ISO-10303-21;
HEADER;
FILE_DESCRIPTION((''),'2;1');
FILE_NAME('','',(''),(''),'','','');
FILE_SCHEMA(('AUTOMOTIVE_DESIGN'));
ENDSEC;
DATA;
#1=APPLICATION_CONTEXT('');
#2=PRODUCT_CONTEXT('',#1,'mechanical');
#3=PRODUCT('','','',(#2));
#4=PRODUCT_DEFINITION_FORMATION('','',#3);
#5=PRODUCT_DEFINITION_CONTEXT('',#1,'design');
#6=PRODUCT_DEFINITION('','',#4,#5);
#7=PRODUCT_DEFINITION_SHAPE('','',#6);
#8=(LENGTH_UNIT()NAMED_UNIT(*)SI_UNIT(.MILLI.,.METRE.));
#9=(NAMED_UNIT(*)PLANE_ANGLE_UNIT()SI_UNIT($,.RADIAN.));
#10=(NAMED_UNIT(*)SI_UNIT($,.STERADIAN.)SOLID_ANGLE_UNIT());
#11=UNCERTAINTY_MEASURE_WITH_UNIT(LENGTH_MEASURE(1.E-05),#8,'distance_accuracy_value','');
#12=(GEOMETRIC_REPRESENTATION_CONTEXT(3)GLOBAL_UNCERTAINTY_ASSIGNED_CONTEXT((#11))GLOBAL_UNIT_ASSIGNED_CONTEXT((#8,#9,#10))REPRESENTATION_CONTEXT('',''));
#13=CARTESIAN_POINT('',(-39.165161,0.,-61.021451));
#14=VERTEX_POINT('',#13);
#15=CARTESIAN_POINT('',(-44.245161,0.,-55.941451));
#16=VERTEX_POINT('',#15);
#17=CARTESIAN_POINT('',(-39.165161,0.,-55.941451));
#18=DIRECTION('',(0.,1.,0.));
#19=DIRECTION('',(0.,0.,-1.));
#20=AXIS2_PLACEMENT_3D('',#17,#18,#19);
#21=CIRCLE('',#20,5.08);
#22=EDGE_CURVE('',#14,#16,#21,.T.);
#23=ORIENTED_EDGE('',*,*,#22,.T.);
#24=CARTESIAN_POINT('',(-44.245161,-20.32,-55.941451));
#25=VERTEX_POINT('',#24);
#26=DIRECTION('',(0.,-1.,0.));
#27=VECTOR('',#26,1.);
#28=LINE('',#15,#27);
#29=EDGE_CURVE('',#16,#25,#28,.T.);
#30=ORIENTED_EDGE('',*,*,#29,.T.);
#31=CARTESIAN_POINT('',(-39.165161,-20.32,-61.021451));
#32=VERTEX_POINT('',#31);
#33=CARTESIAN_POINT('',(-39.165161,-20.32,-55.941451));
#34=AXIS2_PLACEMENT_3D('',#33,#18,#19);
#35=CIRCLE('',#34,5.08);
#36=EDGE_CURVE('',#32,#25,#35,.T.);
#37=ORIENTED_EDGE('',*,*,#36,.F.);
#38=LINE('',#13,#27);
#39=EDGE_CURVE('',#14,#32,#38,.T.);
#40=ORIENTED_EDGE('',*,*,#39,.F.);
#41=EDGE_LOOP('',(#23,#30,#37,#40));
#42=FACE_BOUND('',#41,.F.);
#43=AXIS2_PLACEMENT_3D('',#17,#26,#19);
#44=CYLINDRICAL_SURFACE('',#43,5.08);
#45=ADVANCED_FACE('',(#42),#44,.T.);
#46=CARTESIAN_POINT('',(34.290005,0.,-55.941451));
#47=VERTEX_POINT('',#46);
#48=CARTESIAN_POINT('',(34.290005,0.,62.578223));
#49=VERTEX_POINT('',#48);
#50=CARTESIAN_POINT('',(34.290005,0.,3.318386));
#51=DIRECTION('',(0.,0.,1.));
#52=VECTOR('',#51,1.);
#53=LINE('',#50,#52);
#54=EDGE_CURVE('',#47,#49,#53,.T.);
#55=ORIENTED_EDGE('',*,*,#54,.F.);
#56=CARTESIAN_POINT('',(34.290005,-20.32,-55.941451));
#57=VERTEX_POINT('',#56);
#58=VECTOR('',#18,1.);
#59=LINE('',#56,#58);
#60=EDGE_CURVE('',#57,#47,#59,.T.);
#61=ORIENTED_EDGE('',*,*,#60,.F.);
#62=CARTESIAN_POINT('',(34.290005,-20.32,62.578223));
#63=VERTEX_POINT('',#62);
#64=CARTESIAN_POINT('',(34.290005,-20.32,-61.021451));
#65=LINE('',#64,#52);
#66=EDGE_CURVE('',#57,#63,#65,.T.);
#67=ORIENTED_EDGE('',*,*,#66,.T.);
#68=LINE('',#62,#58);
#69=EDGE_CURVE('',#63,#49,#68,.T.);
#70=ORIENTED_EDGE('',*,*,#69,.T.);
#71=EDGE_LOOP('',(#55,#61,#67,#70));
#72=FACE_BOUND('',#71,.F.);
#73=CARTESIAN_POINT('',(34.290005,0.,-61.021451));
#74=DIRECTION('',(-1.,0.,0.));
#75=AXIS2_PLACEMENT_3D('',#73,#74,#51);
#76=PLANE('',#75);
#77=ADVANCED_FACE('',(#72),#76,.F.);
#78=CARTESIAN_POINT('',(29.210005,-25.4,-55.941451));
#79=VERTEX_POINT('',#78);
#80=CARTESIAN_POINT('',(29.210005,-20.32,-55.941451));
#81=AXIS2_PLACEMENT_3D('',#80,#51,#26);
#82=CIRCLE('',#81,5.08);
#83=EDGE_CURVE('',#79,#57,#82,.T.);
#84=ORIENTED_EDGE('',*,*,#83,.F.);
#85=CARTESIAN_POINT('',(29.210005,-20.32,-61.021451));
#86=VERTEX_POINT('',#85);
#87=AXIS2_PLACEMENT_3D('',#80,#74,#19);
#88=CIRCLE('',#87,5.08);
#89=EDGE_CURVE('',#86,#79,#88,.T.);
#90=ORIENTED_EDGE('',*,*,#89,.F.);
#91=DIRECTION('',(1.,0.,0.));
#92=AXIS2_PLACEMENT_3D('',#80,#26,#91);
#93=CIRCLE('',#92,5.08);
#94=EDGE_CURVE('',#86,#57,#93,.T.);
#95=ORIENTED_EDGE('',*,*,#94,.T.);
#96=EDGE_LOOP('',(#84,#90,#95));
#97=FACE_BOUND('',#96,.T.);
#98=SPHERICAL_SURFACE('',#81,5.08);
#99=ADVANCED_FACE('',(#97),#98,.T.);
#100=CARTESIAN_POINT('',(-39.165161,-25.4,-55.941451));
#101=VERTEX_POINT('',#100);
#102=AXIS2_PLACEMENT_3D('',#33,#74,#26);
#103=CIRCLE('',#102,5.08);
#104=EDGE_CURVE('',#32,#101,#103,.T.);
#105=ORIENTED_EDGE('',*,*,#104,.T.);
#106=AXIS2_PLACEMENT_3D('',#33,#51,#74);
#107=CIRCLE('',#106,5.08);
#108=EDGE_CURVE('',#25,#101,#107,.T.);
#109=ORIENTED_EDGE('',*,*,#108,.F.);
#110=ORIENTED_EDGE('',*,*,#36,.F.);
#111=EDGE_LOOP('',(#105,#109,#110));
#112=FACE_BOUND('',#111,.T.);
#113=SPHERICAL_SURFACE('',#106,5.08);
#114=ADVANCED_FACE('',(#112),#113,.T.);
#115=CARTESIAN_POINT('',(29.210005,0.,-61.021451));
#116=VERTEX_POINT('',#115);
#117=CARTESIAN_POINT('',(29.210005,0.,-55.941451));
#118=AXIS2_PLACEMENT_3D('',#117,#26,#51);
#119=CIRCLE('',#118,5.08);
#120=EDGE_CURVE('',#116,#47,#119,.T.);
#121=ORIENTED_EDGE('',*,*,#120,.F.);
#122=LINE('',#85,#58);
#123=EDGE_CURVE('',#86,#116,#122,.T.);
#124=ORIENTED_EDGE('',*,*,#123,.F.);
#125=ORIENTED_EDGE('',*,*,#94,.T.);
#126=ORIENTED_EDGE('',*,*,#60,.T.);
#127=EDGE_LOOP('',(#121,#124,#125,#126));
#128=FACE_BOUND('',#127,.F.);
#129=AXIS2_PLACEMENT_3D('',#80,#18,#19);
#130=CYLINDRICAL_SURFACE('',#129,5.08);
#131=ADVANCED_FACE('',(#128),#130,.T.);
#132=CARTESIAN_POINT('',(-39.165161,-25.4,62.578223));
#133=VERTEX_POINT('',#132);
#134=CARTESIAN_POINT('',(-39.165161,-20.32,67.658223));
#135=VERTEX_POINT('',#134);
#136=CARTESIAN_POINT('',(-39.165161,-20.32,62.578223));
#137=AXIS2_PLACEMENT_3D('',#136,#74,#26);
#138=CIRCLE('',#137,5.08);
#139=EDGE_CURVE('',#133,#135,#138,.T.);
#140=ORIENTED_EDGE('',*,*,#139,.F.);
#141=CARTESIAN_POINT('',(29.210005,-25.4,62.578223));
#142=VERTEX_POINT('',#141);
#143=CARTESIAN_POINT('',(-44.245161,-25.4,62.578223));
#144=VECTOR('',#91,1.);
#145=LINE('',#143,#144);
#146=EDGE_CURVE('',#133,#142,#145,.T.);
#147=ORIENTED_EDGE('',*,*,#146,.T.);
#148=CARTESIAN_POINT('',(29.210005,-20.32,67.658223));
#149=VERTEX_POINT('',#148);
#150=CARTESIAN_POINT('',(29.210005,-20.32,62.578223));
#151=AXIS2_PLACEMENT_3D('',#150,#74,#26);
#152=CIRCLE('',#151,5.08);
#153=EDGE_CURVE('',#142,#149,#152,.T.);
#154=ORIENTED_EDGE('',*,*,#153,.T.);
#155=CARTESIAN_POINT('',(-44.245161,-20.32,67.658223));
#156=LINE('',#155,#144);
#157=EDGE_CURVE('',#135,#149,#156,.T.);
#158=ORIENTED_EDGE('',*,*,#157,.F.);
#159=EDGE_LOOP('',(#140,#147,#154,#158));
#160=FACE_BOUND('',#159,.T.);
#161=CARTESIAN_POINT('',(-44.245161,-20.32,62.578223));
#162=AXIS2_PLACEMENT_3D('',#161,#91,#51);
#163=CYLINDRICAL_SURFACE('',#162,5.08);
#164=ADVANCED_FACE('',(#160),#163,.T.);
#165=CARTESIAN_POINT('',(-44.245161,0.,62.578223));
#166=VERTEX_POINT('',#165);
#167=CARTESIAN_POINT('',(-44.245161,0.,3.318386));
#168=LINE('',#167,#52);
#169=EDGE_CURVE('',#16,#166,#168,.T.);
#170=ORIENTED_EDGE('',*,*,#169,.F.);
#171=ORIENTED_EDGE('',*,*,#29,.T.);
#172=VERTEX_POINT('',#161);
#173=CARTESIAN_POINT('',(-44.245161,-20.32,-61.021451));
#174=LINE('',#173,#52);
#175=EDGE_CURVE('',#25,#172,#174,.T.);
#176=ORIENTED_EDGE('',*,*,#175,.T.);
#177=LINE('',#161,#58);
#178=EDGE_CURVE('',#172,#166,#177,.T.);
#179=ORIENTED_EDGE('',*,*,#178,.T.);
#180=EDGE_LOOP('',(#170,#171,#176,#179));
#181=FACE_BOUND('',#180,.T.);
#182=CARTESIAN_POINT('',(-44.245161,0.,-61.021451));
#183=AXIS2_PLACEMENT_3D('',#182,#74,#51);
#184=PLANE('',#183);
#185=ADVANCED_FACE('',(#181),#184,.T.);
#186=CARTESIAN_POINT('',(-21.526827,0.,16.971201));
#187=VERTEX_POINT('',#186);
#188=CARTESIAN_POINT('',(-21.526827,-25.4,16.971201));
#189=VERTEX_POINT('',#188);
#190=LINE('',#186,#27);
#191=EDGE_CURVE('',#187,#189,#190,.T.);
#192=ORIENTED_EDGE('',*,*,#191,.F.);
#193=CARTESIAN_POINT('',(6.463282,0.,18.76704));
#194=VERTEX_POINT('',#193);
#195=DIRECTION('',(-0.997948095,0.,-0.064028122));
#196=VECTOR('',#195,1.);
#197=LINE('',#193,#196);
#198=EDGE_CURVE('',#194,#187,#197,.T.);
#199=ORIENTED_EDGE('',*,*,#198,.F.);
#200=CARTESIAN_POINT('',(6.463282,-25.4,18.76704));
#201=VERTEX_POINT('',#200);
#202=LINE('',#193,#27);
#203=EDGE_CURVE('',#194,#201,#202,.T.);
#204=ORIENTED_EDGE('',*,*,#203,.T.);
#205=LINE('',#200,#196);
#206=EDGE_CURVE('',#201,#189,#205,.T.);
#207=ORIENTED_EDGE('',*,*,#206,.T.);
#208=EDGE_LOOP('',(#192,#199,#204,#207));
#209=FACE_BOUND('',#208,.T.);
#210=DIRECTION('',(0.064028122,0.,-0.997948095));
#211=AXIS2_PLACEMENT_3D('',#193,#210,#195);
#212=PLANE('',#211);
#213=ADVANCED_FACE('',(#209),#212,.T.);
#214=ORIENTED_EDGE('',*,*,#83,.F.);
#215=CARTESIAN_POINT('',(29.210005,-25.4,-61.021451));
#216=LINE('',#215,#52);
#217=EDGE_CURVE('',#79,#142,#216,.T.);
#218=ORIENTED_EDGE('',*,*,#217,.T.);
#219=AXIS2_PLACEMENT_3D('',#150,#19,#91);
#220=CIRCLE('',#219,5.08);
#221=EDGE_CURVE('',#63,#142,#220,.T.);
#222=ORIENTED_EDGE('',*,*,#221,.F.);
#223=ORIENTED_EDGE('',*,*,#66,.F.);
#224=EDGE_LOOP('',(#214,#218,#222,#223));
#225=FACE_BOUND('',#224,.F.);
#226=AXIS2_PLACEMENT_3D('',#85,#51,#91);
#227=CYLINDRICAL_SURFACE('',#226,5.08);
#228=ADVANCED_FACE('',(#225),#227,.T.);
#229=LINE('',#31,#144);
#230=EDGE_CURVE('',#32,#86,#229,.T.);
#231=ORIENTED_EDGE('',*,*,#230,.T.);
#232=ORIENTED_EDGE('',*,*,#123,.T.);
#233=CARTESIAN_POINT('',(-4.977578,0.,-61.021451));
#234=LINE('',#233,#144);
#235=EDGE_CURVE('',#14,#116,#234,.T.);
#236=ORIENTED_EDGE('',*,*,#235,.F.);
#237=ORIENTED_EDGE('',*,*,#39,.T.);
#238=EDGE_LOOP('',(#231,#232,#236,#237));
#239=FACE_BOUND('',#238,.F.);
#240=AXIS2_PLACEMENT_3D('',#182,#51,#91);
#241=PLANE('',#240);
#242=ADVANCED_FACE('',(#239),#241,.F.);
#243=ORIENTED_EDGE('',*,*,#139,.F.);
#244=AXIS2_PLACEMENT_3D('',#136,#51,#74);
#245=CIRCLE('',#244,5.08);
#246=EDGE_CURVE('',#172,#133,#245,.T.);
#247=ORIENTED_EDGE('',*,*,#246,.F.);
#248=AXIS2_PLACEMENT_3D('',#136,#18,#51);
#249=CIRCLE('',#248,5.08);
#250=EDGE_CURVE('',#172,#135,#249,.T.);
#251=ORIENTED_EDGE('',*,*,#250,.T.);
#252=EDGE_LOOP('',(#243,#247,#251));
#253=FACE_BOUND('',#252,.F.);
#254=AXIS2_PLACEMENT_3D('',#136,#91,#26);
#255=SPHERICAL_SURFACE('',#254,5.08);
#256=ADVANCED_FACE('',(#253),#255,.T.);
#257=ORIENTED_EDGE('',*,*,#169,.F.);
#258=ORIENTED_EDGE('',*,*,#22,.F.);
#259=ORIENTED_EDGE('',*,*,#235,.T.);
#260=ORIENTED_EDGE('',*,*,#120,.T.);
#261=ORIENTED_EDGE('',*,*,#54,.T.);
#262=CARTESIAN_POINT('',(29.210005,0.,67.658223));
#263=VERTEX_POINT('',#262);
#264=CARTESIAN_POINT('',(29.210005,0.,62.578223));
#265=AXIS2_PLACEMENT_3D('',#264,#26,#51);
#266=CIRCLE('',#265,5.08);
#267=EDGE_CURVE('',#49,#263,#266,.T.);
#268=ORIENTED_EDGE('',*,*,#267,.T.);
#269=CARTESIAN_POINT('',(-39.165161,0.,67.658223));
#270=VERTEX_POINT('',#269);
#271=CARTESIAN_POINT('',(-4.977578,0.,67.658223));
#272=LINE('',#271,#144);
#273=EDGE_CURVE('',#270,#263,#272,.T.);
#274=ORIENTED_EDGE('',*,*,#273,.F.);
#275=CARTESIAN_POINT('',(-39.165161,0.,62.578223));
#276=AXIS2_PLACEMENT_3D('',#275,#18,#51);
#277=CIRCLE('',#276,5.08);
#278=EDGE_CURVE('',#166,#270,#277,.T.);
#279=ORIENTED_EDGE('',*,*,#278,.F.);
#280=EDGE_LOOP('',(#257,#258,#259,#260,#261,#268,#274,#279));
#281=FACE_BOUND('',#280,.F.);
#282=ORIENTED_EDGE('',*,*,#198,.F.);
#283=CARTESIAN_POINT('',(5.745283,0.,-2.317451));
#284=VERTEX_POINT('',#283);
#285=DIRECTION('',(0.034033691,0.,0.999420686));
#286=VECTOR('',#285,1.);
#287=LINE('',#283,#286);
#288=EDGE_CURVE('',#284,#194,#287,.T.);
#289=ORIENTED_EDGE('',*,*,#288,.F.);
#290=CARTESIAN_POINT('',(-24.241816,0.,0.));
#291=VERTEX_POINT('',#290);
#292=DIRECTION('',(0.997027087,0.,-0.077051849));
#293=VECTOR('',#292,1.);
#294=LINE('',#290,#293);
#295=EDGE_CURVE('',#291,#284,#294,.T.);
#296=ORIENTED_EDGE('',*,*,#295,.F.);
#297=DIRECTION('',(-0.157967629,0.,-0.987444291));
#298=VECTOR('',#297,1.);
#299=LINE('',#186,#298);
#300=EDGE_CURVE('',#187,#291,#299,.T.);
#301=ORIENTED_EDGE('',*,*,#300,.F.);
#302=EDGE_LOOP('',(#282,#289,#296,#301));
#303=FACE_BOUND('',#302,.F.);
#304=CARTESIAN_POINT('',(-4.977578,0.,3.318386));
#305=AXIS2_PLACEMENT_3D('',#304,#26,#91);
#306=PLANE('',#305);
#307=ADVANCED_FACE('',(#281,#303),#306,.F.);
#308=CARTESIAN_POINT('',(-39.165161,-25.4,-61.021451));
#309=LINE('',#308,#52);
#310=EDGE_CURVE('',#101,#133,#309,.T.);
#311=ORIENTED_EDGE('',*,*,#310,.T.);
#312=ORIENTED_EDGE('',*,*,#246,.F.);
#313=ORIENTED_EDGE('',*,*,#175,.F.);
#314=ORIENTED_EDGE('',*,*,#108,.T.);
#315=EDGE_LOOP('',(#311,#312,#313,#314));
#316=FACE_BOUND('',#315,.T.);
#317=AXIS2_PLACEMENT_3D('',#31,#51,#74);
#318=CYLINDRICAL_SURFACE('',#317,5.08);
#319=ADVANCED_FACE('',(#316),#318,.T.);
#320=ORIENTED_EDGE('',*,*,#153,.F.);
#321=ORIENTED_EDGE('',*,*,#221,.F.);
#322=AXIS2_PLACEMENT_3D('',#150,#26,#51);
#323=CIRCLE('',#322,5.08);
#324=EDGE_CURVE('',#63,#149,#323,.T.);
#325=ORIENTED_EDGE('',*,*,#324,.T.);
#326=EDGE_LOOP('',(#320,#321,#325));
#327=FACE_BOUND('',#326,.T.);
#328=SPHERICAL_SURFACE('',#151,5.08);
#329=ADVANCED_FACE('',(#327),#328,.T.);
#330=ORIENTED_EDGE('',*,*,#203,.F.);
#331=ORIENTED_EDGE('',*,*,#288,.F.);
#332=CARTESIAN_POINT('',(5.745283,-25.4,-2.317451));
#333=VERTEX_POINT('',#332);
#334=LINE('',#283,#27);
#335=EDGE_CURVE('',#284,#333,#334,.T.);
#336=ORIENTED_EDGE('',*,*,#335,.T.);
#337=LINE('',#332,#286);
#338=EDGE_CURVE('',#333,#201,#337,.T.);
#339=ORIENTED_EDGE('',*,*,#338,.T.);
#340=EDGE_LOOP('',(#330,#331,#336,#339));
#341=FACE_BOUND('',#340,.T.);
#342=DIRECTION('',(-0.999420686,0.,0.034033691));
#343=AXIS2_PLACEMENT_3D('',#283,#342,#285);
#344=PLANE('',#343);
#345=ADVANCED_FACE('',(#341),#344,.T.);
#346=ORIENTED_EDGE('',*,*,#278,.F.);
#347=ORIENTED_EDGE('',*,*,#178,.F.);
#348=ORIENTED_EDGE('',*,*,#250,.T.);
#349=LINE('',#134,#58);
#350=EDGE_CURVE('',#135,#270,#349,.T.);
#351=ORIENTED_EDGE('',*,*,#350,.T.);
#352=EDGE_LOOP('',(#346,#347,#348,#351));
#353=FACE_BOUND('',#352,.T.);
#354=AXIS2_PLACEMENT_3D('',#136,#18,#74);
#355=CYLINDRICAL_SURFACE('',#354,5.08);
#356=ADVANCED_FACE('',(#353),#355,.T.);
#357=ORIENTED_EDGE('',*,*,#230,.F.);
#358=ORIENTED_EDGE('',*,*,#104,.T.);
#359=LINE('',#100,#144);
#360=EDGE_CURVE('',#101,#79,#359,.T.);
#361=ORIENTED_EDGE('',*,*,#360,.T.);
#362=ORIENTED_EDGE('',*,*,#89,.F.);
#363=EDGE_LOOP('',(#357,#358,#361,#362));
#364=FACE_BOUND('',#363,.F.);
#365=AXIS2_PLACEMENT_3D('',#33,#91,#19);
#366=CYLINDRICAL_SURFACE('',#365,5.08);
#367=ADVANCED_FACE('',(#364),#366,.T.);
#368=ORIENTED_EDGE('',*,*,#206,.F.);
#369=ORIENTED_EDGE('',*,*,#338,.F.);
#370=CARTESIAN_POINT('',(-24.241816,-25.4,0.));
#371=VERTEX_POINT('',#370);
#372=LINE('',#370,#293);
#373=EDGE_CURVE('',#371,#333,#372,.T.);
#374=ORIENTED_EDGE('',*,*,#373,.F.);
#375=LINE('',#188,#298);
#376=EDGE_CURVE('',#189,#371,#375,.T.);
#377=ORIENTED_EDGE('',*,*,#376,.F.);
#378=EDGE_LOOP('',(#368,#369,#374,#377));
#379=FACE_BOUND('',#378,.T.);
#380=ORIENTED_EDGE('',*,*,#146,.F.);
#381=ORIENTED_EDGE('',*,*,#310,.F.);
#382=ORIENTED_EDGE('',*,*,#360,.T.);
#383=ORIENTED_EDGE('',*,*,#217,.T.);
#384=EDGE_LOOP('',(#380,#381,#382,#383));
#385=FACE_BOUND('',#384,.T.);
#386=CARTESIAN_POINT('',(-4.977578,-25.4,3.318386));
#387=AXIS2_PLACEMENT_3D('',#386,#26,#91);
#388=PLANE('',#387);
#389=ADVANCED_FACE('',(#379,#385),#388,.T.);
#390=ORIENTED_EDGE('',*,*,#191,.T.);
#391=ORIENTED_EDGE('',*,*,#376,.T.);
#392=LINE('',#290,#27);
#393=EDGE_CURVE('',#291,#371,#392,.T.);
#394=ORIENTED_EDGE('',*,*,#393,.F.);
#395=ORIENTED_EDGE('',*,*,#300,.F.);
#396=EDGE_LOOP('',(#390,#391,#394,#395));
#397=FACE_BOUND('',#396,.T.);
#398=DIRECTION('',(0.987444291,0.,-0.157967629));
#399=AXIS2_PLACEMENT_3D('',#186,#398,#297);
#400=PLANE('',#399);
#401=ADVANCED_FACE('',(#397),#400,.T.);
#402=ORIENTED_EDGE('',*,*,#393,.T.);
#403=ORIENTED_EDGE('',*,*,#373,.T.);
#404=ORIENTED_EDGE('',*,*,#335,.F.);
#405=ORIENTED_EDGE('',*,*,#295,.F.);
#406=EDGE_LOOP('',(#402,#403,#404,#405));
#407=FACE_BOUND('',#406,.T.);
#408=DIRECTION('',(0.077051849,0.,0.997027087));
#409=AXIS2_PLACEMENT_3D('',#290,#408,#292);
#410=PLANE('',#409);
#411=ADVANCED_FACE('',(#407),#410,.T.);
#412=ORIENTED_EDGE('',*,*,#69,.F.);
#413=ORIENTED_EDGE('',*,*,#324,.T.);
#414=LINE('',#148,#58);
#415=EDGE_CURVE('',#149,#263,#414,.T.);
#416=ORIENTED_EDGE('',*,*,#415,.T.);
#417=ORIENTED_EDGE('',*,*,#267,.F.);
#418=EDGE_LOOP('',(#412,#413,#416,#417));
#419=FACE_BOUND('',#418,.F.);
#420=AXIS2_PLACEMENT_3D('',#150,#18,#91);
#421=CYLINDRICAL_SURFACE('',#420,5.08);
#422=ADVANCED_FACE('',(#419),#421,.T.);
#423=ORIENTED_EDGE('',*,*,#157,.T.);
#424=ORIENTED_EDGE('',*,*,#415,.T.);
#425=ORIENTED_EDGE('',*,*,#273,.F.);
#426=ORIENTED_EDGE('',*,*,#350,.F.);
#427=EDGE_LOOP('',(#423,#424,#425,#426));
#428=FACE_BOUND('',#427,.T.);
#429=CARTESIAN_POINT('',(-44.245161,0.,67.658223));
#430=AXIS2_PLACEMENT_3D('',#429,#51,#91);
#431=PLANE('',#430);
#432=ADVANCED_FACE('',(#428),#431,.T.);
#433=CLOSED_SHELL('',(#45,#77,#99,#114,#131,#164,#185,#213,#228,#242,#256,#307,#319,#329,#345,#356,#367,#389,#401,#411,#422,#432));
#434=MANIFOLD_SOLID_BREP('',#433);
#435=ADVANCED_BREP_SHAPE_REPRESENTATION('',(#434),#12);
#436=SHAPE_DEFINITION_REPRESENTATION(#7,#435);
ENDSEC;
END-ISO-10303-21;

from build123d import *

# Parameters (mm, degrees)
F0_W     = 78.535166
F0_H     = 128.679674
F1_DEPTH = 25.4
F2_R     = 5.08
F3_R     = 5.08
F4_R     = 5.08
F5_R     = 5.08
F6_T     = -2819.4
F8_DEPTH = 25.4


with BuildPart() as f1:
    # F0 (on Front) → F1 (new body)
    with BuildSketch(Plane.XZ):
        with Locations((-4.977578, 3.318386)):
            Rectangle(F0_W, F0_H)
    extrude(amount=F1_DEPTH)

    # F2
    f2_edges = [f1.edges().sort_by_distance(p)[0] for p in [
        (-4.977578, -25.4, 67.658223),
    ]]
    fillet(f2_edges, radius=F2_R)

    # F3
    f3_edges = [f1.edges().sort_by_distance(p)[0] for p in [
        (-44.245161, -25.4, 0.778386),
    ]]
    fillet(f3_edges, radius=F3_R)

    # F4
    f4_edges = [f1.edges().sort_by_distance(p)[0] for p in [
        (34.290005, -25.4, 0.778386),
    ]]
    fillet(f4_edges, radius=F4_R)

    # F5
    f5_edges = [f1.edges().sort_by_distance(p)[0] for p in [
        (-4.977578, -25.4, -61.021451),
    ]]
    fillet(f5_edges, radius=F5_R)

    # F6
    f6_openings = [f1.faces().sort_by_distance(p)[0] for p in [
        (-4.977578, -25.4, 3.318386),
    ]]
    offset(amount=F6_T, openings=f6_openings)

    # F7 (on Front) → F8 (cut)
    with BuildSketch(Plane.XZ):
        Polygon((5.745283, -2.317451), (6.463282, 18.76704), (-21.526827, 16.971201), (-24.241816, 0), align=None)
    extrude(amount=F8_DEPTH, mode=Mode.SUBTRACT)


solid = f1.part
